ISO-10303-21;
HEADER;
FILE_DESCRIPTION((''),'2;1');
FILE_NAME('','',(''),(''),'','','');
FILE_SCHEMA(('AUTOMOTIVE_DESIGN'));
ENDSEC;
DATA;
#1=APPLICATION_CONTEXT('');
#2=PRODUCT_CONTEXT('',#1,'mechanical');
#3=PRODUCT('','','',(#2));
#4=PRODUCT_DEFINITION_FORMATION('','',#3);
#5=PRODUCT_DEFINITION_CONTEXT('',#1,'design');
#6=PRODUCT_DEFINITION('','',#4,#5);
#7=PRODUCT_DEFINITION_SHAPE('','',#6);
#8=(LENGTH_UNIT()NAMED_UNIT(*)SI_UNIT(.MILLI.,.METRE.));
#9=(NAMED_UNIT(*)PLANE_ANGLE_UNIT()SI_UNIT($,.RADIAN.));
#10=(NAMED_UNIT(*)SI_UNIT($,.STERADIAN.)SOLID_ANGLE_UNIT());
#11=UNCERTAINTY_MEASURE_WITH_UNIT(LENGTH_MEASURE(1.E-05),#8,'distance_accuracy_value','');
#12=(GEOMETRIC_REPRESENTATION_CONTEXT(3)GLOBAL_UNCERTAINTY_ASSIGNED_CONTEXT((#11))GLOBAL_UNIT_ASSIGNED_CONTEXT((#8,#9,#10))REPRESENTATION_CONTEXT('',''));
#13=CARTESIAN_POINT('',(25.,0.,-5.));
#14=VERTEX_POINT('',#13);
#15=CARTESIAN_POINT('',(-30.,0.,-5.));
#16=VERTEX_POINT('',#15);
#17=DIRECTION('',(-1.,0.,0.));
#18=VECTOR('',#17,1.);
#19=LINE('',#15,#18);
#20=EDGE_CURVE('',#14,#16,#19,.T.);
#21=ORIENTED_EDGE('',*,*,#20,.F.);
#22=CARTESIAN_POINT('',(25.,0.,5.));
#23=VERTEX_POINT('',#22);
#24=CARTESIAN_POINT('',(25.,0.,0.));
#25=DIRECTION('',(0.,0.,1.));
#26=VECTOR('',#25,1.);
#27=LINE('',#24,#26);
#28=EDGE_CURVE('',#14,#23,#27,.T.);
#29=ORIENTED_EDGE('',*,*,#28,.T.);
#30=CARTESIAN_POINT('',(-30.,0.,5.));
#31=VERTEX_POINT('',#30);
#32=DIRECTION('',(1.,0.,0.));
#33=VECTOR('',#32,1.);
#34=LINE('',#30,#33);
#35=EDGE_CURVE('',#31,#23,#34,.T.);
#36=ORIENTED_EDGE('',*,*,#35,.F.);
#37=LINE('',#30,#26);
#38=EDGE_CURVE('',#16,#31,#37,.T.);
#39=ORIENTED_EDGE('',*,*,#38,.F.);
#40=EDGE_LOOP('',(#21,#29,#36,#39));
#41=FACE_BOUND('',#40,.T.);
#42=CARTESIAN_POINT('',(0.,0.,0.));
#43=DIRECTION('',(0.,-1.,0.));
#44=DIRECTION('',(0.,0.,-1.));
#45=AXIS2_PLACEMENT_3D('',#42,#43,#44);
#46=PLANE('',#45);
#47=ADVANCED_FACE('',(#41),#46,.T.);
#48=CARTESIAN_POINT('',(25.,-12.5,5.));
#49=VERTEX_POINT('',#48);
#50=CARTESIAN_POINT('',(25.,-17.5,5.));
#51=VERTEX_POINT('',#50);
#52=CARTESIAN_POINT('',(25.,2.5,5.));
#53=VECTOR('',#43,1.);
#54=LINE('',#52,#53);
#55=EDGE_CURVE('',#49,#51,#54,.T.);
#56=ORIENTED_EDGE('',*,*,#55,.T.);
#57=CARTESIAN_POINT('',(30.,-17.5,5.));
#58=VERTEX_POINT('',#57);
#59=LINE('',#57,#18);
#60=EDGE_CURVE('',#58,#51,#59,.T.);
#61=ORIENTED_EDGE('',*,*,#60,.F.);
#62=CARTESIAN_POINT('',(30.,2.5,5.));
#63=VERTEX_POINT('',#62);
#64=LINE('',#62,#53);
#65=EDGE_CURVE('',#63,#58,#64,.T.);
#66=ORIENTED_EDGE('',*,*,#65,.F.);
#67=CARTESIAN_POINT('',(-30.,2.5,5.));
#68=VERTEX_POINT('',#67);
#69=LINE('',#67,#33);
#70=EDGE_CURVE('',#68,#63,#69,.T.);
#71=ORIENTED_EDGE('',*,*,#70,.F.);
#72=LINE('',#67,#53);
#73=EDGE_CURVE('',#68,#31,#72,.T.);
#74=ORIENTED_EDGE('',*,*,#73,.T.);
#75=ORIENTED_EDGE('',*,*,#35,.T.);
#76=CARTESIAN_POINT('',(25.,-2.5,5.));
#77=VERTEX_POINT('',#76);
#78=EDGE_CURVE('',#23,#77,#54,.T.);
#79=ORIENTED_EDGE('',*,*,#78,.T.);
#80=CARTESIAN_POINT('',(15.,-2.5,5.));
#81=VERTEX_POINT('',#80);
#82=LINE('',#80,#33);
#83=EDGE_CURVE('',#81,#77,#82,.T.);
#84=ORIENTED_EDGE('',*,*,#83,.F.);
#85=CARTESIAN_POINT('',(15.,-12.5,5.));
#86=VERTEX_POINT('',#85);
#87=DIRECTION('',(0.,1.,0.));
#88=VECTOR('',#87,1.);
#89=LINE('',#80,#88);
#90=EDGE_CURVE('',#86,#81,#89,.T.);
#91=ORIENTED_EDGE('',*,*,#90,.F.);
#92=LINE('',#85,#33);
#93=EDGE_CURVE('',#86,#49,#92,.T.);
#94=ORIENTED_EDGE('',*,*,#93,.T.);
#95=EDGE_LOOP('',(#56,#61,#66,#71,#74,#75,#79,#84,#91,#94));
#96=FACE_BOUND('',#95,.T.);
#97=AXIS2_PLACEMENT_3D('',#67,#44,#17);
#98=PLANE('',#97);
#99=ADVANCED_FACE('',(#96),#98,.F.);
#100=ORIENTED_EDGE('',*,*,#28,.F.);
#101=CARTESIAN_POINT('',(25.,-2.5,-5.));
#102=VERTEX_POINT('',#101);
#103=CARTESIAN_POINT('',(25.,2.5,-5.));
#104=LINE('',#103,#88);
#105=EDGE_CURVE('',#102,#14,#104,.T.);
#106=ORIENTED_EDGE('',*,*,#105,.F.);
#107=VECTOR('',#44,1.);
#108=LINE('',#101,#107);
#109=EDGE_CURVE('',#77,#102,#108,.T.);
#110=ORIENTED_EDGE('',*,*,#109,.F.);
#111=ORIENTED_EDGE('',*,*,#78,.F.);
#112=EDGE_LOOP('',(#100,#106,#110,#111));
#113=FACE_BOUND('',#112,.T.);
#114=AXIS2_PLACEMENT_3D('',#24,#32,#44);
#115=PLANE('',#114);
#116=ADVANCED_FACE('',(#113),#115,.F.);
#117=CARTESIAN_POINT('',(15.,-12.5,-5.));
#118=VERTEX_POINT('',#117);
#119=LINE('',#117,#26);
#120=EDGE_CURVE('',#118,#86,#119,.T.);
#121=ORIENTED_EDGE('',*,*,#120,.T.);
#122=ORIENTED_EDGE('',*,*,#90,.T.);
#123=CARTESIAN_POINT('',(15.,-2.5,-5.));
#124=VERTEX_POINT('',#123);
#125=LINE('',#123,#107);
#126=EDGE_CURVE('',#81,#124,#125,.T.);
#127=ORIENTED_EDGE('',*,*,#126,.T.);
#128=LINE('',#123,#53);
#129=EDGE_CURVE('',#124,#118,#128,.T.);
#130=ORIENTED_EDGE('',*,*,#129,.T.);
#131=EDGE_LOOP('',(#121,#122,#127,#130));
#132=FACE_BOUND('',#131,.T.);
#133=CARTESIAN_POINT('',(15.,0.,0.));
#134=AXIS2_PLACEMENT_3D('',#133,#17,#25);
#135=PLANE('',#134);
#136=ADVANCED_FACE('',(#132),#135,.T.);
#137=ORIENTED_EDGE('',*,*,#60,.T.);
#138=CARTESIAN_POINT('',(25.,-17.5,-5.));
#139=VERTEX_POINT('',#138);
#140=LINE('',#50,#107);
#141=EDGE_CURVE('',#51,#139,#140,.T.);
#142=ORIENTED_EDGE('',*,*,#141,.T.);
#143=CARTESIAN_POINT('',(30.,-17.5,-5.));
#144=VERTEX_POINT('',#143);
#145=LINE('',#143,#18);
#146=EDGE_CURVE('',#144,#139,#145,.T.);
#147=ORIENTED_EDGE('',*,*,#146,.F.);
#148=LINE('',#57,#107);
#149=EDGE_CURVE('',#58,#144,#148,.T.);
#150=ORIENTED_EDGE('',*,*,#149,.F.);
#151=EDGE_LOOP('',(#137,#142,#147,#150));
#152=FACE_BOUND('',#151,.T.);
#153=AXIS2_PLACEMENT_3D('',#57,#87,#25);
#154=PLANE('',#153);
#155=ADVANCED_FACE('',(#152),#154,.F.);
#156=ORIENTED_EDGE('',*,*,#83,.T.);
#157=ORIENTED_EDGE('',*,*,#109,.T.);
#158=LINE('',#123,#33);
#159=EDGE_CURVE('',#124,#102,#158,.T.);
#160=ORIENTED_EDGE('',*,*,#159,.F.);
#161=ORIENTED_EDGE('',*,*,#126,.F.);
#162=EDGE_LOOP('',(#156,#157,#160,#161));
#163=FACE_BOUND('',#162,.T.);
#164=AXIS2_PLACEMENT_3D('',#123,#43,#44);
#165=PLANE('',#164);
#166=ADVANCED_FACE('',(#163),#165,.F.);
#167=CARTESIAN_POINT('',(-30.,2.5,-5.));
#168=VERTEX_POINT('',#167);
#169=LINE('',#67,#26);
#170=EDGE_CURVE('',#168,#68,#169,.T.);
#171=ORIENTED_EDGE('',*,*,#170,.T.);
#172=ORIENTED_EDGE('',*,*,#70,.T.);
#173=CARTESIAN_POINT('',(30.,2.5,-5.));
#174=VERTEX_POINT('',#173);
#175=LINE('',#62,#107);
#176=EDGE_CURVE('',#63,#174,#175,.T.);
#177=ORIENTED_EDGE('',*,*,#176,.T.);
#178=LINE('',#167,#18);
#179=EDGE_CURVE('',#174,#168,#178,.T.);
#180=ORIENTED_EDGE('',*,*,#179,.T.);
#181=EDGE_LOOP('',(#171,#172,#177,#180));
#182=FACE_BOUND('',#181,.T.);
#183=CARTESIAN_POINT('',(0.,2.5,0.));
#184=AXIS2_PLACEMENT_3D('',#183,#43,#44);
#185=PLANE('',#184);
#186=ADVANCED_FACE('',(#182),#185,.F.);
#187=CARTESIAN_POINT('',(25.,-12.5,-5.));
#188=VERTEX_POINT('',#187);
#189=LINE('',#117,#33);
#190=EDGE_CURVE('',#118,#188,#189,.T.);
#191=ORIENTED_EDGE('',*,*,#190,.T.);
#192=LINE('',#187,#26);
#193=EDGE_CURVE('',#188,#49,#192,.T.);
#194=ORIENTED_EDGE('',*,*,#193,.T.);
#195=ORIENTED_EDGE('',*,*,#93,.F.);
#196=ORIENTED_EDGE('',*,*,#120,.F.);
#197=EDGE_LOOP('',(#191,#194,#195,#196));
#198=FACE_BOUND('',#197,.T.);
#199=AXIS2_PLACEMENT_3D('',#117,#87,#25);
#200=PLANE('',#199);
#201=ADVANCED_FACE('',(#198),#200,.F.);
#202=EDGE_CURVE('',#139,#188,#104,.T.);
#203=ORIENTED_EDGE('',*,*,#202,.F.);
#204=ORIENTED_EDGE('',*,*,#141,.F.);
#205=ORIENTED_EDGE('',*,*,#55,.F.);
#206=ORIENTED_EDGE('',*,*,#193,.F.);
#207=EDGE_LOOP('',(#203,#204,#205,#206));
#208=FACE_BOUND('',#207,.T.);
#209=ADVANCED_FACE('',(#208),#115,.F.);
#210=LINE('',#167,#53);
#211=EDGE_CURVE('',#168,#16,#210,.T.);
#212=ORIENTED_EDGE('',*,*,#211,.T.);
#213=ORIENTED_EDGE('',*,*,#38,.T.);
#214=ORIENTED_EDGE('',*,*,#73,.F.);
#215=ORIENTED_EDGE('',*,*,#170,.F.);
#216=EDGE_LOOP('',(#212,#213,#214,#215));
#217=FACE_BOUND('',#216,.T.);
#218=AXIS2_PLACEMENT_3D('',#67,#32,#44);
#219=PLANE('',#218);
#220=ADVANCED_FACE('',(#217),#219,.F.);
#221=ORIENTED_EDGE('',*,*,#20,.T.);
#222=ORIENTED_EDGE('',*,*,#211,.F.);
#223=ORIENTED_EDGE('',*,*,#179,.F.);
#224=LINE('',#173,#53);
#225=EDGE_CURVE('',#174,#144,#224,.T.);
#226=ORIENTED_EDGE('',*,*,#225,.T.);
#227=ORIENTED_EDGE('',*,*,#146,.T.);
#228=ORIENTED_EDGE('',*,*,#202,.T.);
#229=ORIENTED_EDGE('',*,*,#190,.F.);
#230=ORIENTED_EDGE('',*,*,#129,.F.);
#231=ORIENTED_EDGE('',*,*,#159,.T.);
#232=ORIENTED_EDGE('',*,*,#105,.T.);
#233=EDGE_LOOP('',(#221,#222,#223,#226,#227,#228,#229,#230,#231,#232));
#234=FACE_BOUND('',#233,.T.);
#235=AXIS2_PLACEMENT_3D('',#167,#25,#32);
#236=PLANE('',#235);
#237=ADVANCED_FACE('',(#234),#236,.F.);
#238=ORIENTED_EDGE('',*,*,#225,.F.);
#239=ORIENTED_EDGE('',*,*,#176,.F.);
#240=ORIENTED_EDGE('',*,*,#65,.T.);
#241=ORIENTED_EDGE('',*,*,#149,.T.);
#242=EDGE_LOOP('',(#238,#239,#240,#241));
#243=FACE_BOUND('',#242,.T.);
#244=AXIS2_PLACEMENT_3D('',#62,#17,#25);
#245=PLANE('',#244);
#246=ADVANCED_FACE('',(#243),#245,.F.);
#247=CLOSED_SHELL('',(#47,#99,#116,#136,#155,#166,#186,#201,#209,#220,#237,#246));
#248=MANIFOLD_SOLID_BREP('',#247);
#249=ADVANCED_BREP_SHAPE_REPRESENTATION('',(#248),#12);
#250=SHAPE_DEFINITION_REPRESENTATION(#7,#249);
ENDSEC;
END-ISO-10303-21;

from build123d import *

# Parameters (mm, degrees)
SKETCH_1_W      = 60
SKETCH_1_H      = 10
EXTRUDE_1_DEPTH = 2.5
EXTRUDE_START   = 25
SKETCH_2_W      = 10
SKETCH_2_H      = 20
EXTRUDE_2_DEPTH = 5
SKETCH_5_W      = 10
SKETCH_5_H      = 10
EXTRUDE_3_DEPTH = 10


with BuildPart() as part:
    # 草图1 → 凸台-拉伸1 (new body)
    with BuildSketch(Plane(origin=(0, 0, 0), x_dir=(1, 0, 0), z_dir=(0, 1, 0))):
        Rectangle(SKETCH_1_W, SKETCH_1_H)
    extrude(amount=EXTRUDE_1_DEPTH)

    # 草图2 → 凸台-拉伸2 (add)
    with BuildSketch(Plane(origin=(0, 0, 0), x_dir=(0, 0, -1), z_dir=(1, 0, 0)).offset(EXTRUDE_START)):
        with Locations((0, -7.5)):
            Rectangle(SKETCH_2_W, SKETCH_2_H)
    extrude(amount=EXTRUDE_2_DEPTH)

    # 草图5 → 凸台-拉伸3 (add)
    with BuildSketch(Plane.ZY.offset(-25)):
        with Locations((0, -7.5)):
            Rectangle(SKETCH_5_W, SKETCH_5_H)
    extrude(amount=EXTRUDE_3_DEPTH)


solid = part.part
